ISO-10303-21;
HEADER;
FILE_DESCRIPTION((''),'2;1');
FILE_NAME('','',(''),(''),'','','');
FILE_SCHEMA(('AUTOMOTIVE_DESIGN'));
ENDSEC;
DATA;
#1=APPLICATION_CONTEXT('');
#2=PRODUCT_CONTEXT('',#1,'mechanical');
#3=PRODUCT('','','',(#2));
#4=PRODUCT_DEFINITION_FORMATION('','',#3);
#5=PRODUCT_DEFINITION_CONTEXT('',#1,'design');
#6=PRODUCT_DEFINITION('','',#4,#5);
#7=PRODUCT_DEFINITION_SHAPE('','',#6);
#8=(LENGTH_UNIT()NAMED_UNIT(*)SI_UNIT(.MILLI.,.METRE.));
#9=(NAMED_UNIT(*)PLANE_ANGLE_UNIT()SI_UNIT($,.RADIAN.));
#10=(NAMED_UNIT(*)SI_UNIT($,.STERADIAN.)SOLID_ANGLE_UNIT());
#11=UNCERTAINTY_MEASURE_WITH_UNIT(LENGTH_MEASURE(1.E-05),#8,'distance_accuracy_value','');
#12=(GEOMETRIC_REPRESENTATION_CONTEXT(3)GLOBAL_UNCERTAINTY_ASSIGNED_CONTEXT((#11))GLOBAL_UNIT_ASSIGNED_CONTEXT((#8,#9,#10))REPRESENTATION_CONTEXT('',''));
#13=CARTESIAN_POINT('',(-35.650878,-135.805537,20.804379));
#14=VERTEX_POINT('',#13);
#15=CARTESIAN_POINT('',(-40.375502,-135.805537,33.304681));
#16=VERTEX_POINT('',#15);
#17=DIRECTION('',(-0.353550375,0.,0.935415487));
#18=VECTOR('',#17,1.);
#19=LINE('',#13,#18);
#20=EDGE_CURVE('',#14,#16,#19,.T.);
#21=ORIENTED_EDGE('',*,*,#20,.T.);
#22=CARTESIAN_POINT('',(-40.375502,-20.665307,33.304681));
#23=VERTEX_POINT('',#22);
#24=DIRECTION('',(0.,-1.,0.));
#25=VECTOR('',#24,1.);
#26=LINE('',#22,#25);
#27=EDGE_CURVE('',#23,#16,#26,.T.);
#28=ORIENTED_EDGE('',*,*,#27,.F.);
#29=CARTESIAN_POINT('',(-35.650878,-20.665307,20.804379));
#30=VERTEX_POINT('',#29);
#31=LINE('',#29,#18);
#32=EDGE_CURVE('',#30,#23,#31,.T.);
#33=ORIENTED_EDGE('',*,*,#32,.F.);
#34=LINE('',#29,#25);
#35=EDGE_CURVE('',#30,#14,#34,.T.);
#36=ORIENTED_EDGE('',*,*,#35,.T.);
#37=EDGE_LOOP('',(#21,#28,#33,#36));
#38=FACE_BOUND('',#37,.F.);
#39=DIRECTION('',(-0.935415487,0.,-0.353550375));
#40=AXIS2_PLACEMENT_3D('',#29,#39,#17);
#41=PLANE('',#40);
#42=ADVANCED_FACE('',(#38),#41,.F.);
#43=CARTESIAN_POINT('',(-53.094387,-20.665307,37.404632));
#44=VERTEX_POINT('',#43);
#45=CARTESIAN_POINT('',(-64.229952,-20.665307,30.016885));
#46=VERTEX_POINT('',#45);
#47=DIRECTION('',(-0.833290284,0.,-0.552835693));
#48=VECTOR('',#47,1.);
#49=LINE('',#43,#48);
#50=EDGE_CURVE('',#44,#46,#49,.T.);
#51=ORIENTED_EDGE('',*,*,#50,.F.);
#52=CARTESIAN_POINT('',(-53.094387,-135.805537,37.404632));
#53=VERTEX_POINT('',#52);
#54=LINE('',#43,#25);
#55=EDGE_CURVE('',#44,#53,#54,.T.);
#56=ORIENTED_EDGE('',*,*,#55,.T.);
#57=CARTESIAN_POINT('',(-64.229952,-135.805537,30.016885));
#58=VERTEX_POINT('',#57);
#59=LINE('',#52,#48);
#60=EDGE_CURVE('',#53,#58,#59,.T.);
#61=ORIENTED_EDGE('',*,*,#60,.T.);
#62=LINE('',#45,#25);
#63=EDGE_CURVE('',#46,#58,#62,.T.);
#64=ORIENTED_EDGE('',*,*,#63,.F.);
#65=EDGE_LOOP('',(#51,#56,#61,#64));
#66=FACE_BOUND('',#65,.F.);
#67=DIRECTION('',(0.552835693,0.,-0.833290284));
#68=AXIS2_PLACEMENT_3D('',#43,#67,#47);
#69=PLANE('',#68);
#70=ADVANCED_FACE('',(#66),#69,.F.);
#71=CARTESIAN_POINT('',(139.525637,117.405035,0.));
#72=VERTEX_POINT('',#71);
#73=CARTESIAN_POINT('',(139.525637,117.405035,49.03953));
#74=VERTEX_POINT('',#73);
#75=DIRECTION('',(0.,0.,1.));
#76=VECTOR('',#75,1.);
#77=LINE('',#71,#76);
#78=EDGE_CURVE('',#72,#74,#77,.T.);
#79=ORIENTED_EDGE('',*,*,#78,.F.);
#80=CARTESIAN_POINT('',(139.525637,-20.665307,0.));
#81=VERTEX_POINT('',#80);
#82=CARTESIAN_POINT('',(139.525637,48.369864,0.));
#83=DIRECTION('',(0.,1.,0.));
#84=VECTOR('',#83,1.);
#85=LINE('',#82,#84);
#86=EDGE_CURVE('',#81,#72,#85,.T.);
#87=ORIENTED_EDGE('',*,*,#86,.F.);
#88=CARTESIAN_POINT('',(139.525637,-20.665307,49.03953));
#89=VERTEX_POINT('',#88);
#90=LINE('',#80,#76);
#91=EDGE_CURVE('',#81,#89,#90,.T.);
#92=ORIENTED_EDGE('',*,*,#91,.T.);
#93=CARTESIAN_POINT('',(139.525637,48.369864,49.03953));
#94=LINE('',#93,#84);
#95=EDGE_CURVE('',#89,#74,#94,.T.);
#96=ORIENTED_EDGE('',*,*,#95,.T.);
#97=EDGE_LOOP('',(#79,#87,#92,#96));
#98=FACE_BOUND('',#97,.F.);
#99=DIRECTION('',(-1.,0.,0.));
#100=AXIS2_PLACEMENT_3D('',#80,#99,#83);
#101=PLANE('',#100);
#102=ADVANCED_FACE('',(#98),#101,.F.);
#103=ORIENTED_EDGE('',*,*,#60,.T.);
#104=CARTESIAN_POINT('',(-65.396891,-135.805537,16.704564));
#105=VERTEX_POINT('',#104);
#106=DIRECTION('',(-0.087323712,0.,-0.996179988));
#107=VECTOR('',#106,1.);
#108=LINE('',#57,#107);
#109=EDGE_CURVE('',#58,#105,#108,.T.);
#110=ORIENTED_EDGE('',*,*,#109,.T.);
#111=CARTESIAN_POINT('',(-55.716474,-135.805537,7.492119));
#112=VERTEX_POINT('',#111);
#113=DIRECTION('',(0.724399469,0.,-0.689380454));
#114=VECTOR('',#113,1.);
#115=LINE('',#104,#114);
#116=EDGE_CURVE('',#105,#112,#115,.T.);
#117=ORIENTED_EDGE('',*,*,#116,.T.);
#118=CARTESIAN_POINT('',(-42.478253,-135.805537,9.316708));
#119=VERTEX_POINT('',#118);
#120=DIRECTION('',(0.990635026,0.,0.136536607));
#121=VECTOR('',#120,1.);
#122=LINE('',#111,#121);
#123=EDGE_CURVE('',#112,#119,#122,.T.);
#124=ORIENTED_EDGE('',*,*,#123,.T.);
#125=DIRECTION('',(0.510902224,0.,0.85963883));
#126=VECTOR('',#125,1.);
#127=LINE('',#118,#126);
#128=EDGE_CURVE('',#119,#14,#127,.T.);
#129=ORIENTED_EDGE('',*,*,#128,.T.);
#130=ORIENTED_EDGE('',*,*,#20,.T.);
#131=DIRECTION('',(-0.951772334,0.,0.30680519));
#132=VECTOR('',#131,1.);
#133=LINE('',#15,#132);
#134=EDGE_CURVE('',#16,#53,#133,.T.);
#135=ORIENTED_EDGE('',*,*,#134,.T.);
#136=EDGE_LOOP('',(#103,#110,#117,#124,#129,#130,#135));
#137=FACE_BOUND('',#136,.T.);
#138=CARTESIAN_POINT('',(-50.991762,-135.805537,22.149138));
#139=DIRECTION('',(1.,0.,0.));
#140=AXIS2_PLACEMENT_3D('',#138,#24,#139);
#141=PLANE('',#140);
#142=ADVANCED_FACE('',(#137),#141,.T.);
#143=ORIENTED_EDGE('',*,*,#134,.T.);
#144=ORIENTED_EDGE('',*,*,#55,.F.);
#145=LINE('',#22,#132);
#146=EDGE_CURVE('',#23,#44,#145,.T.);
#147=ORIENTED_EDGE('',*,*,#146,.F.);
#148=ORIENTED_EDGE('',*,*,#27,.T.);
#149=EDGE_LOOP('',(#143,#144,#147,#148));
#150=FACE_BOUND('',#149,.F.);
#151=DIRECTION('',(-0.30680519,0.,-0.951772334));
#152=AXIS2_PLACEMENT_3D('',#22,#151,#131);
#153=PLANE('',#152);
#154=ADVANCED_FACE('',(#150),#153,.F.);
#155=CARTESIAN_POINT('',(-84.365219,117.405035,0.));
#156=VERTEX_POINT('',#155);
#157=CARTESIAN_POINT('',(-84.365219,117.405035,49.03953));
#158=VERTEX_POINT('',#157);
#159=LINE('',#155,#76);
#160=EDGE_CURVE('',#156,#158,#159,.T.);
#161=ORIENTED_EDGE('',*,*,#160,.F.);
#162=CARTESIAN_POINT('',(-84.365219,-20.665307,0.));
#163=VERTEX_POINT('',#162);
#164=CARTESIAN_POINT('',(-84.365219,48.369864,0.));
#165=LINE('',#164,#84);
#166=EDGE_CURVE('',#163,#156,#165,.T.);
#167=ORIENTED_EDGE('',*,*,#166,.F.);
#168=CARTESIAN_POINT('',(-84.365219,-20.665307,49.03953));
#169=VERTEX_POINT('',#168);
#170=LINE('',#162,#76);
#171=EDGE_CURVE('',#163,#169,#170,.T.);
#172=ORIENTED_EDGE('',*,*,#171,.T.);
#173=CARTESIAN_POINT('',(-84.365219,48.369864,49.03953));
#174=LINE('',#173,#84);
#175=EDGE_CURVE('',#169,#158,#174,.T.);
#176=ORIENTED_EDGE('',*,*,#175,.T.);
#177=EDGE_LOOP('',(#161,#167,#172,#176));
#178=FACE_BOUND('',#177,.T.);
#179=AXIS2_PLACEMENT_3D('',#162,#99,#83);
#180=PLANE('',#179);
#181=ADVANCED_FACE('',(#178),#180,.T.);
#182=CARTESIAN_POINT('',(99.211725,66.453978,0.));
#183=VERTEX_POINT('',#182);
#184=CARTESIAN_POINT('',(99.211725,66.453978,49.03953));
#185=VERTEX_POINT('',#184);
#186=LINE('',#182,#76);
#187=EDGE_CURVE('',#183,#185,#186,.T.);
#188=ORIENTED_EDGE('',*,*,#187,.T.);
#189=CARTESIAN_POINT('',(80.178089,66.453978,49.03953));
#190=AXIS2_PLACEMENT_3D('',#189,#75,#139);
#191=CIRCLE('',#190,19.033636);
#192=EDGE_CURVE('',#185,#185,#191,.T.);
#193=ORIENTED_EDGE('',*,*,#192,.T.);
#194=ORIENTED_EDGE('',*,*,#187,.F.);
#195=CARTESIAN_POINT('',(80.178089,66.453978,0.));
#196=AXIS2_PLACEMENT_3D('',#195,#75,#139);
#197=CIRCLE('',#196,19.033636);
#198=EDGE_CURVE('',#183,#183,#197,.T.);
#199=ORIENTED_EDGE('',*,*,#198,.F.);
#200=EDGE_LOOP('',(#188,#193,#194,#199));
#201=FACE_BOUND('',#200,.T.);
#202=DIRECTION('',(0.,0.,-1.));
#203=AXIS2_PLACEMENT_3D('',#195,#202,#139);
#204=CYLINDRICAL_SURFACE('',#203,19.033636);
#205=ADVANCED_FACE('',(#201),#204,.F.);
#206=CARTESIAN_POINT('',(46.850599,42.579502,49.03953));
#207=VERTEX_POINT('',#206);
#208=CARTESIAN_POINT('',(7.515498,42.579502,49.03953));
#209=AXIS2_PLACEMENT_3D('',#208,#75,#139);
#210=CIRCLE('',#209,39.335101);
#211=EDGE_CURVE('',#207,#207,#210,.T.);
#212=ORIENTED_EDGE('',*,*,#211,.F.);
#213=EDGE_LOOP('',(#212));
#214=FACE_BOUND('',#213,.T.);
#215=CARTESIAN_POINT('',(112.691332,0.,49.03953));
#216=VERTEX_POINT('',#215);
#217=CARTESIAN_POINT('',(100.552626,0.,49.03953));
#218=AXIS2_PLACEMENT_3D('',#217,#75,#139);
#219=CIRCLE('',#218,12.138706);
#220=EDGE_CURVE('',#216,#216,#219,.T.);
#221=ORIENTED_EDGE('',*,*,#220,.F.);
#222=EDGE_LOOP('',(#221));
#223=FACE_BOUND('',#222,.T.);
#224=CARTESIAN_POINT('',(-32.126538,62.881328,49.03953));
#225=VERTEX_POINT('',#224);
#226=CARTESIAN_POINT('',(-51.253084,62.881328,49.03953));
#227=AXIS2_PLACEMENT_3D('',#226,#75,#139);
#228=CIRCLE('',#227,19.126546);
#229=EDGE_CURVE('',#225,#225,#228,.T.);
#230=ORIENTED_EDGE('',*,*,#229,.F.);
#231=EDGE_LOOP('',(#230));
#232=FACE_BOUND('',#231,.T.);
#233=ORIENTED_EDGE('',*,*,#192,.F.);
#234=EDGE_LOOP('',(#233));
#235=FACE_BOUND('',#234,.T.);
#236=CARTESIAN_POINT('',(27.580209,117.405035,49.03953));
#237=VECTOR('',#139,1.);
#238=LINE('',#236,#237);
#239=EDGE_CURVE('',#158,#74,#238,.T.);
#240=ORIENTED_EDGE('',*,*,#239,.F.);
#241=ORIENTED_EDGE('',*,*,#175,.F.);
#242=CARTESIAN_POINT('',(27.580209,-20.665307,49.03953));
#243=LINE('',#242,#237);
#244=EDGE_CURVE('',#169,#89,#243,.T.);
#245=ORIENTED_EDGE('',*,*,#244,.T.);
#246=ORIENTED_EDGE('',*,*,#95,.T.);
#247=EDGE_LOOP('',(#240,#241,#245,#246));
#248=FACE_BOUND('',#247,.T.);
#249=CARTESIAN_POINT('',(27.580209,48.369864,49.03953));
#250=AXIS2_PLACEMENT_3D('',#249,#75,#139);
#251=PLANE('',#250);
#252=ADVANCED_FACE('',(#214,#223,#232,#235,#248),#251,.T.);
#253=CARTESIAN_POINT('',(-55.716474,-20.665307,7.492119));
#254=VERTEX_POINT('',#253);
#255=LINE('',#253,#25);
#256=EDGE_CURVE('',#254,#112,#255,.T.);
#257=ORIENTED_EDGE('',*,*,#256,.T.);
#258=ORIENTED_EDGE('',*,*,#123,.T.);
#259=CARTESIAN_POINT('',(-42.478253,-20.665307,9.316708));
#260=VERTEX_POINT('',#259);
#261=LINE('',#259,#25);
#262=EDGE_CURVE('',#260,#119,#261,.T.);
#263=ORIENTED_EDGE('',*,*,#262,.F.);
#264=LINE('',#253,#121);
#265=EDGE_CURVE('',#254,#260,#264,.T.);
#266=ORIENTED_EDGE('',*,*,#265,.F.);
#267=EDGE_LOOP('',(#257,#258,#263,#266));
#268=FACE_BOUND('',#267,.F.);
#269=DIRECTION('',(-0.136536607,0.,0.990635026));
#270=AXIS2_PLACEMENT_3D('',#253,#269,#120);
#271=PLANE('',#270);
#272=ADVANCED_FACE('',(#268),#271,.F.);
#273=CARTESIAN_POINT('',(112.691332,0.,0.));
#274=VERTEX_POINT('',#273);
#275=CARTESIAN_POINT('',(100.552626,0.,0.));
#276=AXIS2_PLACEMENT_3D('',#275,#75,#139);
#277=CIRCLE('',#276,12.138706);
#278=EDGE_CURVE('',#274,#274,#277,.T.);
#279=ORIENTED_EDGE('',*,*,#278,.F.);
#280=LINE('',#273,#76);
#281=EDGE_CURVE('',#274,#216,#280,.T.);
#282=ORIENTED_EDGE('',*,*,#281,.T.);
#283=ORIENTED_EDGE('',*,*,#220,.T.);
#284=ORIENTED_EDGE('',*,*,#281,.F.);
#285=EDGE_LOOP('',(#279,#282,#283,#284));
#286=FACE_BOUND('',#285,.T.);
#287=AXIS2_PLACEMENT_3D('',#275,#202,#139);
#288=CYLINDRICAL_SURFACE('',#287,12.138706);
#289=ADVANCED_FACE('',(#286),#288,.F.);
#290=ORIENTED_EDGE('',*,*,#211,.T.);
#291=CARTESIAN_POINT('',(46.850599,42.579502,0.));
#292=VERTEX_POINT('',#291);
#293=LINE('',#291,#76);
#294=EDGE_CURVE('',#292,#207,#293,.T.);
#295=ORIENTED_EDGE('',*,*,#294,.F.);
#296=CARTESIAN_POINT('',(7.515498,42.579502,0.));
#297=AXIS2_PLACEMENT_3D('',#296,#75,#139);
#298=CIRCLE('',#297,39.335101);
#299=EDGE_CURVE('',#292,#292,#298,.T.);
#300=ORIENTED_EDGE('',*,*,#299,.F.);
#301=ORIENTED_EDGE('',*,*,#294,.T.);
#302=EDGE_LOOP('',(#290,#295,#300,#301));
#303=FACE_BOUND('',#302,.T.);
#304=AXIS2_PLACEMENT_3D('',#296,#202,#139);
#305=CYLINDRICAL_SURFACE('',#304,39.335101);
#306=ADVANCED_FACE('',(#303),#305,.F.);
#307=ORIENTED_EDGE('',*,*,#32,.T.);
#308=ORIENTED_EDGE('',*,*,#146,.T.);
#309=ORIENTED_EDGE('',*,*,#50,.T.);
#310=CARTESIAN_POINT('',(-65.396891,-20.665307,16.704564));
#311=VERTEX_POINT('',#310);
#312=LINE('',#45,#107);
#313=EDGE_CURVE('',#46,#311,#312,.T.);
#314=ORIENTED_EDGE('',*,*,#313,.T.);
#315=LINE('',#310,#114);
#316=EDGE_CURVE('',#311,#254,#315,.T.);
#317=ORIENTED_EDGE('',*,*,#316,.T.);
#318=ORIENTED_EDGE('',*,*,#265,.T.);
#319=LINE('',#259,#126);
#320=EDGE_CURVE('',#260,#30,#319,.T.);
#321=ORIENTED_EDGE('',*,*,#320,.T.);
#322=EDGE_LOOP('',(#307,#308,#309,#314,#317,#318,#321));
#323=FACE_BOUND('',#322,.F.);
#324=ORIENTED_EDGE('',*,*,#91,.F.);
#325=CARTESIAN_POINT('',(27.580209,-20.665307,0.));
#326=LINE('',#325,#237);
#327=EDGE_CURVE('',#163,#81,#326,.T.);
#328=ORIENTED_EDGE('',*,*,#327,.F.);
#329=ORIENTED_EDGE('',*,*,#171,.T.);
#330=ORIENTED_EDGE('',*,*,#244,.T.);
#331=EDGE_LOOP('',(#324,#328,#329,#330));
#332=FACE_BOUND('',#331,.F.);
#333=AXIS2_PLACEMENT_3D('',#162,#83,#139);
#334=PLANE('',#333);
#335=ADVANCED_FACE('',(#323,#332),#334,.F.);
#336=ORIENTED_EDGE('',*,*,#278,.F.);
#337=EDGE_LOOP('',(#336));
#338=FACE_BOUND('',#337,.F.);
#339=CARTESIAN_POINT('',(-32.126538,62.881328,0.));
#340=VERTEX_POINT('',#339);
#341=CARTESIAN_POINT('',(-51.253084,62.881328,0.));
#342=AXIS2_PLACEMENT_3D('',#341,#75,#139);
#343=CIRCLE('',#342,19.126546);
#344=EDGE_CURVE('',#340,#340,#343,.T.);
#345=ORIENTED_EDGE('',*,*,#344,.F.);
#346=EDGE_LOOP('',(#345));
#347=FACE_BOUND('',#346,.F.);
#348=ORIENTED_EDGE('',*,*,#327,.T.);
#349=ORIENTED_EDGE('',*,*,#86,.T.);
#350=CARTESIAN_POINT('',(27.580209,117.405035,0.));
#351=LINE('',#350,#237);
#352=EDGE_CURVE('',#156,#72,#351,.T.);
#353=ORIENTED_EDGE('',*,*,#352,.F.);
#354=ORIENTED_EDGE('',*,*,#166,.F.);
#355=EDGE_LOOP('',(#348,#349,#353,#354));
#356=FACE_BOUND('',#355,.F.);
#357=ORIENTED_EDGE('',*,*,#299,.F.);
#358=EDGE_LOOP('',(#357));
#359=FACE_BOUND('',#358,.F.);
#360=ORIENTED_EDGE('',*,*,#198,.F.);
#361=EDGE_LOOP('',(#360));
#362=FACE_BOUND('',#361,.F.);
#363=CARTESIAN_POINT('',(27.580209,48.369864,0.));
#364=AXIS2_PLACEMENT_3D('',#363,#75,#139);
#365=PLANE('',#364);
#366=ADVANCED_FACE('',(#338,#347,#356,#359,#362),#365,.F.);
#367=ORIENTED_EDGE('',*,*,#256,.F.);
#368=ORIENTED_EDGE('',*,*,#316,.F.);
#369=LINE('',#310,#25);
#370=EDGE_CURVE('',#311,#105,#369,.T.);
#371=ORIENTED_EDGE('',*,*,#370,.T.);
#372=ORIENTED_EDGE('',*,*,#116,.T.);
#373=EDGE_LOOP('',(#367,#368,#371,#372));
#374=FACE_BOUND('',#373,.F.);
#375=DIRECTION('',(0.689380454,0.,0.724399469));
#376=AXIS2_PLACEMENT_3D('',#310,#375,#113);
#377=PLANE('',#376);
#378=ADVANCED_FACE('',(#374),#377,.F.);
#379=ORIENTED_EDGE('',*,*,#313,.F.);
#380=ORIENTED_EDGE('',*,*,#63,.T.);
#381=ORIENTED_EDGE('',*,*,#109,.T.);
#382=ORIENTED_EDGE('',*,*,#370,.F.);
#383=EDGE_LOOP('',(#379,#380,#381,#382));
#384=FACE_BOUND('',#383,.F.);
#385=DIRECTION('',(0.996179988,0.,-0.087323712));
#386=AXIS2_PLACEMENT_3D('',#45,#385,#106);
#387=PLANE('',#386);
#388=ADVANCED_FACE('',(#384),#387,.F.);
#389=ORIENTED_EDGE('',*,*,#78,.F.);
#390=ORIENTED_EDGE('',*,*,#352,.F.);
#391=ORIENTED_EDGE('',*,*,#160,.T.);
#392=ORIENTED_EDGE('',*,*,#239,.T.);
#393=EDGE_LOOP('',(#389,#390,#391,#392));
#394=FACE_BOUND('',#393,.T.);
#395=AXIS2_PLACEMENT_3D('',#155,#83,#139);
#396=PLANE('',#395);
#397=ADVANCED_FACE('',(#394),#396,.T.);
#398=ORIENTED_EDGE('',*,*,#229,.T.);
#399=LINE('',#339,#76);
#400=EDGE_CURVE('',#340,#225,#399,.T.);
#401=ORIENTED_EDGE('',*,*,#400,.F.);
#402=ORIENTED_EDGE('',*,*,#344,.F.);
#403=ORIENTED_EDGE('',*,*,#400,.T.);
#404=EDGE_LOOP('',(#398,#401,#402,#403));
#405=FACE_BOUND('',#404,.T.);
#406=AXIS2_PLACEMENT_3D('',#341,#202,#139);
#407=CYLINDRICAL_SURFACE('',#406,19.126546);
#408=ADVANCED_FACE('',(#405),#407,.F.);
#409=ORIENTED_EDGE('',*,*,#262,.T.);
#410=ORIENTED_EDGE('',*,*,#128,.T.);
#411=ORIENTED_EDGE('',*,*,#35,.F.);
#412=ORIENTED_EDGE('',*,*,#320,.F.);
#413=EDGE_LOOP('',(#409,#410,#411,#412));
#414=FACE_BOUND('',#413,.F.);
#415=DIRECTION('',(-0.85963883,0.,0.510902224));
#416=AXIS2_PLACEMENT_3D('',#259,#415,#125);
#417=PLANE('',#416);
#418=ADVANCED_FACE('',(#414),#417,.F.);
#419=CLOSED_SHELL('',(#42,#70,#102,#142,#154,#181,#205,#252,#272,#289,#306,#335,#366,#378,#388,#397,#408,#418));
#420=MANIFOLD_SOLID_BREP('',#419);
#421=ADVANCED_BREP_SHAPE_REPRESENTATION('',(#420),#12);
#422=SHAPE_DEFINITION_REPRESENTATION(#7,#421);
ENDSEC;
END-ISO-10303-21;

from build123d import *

# Parameters (mm, degrees)
F0_W     = 223.890856
F0_H     = 138.070342
F0_R     = 39.335101
F0_R_2   = 12.138706
F0_R_3   = 19.126546
F0_R_4   = 19.033636
F1_DEPTH = 49.03953
F3_DEPTH = 115.14023


with BuildPart() as f1:
    # F0 (on Top) → F1 (new body)
    with BuildSketch(Plane.XY):
        with Locations((27.580209, 48.369864)):
            Rectangle(F0_W, F0_H)
        with Locations((7.515498, 42.579502)):
            Circle(F0_R, mode=Mode.SUBTRACT)
        with Locations((100.552626, 0)):
            Circle(F0_R_2, mode=Mode.SUBTRACT)
        with Locations((-51.253084, 62.881328)):
            Circle(F0_R_3, mode=Mode.SUBTRACT)
        with Locations((80.178089, 66.453978)):
            Circle(F0_R_4, mode=Mode.SUBTRACT)
    extrude(amount=F1_DEPTH)

    # F2 (on face) → F3 (join)
    with BuildSketch(Plane.XZ.offset(20.665307)):
        Polygon((-35.650878, 20.804379), (-40.375502, 33.304681), (-53.094387, 37.404632), (-64.229952, 30.016885), (-65.396891, 16.704564), (-55.716474, 7.492119), (-42.478253, 9.316708), align=None)
    extrude(amount=F3_DEPTH)


solid = f1.part
